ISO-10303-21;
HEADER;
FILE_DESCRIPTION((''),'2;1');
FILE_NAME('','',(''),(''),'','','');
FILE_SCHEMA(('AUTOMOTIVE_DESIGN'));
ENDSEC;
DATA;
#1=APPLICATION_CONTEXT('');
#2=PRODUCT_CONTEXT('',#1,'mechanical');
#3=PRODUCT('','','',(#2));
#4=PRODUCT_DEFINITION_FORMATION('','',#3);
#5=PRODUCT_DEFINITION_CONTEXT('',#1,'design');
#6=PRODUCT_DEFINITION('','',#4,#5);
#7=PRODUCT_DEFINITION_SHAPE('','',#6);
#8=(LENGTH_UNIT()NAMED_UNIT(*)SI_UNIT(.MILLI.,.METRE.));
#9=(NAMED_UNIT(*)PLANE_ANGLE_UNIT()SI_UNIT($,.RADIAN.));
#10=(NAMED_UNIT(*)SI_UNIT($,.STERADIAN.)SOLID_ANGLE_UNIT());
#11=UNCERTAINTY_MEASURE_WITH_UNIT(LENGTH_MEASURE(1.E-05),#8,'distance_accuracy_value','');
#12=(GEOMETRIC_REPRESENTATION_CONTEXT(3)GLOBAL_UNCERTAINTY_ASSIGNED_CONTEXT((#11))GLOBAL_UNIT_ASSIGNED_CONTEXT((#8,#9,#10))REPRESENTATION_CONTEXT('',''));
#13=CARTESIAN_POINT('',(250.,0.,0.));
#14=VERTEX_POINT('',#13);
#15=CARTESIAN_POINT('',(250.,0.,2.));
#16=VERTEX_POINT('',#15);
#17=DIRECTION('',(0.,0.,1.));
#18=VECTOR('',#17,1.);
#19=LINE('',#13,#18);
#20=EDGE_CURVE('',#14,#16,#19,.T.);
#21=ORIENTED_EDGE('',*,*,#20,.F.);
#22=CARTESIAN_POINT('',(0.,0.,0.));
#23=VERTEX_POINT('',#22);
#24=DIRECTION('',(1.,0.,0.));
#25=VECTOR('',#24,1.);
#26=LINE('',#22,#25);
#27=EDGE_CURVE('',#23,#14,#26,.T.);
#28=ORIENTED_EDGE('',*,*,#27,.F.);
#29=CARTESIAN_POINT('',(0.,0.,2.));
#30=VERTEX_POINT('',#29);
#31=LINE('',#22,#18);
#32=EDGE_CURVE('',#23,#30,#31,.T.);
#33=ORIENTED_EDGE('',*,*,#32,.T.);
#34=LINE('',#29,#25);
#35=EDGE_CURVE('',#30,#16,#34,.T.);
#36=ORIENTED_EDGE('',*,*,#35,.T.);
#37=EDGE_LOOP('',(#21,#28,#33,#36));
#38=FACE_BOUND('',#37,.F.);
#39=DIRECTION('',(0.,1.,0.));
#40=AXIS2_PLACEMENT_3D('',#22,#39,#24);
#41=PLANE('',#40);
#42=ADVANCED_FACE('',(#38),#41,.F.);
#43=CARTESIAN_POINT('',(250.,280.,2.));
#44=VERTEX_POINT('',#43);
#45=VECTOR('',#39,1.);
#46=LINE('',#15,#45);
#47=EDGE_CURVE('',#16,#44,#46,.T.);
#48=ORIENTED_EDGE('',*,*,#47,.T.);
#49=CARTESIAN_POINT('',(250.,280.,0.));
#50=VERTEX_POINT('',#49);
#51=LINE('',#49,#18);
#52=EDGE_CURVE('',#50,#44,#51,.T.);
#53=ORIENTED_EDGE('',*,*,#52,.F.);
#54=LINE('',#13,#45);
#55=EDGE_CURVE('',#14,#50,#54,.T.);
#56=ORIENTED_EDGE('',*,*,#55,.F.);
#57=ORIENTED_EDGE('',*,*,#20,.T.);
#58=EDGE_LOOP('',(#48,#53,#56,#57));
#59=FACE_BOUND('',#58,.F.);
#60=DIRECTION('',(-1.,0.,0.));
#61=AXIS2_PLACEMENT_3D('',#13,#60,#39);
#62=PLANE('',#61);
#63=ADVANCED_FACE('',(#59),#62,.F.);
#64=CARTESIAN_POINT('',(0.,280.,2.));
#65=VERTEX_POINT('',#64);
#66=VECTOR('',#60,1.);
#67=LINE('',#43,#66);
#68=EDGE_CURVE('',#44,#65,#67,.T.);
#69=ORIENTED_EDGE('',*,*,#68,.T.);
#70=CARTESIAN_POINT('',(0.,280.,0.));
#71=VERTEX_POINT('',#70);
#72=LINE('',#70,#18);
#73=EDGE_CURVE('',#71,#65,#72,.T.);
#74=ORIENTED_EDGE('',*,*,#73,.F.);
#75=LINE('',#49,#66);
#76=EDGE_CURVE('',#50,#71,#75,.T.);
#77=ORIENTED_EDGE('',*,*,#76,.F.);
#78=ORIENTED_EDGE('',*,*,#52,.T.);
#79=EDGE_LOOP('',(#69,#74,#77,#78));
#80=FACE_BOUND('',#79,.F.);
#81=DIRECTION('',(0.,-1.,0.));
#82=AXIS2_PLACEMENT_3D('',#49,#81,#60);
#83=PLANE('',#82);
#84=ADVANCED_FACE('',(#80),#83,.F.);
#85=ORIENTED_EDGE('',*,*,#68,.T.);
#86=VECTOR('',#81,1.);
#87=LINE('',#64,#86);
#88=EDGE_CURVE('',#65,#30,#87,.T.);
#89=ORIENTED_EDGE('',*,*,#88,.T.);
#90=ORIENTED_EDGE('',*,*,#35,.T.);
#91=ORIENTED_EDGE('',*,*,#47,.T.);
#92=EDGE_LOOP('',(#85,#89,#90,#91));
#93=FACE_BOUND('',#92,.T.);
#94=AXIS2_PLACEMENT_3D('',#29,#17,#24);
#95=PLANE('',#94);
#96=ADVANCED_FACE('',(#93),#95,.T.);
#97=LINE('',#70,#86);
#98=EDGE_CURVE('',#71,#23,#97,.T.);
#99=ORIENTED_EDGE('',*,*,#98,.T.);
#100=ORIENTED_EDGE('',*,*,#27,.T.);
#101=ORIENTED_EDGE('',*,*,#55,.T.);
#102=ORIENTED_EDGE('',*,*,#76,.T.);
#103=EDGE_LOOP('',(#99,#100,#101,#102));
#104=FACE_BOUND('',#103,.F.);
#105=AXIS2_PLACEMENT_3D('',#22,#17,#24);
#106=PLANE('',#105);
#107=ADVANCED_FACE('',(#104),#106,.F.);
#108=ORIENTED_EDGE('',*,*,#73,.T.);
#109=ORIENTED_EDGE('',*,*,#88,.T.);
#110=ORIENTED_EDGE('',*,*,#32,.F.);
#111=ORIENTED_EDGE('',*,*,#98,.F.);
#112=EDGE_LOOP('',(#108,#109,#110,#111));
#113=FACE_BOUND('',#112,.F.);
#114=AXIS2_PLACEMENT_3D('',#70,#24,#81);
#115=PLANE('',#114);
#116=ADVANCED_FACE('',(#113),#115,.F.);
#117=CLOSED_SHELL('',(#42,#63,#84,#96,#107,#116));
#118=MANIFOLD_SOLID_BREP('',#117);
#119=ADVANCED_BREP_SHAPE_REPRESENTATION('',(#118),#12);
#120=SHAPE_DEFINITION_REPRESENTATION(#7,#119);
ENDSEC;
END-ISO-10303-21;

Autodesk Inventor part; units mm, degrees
ref_plane "YZ Plane" through (0, 0, 0) normal (1, 0, 0) x (0, 1, 0)
ref_plane "XZ Plane" through (0, 0, 0) normal (0, 1, 0) x (-1, 0, 0)
ref_plane "XY Plane" through (0, 0, 0) normal (0, 0, 1) x (1, 0, 0)
sketch "Esboço1" plane through (0, 0, 0) normal (0, 0, 1) x (1, 0, 0)
  line L0 (0, 0) -> (250, 0)
  line L1 (250, 0) -> (250, 280)
  line L2 (250, 280) -> (0, 280)
  line L3 (0, 280) -> (0, 0)
  dimension "d0" = 250
  dimension "d1" = 280
extrude "Extrusão1" add sketch "Esboço1" along normal blind 2
properties part number "PeçaFecha"
